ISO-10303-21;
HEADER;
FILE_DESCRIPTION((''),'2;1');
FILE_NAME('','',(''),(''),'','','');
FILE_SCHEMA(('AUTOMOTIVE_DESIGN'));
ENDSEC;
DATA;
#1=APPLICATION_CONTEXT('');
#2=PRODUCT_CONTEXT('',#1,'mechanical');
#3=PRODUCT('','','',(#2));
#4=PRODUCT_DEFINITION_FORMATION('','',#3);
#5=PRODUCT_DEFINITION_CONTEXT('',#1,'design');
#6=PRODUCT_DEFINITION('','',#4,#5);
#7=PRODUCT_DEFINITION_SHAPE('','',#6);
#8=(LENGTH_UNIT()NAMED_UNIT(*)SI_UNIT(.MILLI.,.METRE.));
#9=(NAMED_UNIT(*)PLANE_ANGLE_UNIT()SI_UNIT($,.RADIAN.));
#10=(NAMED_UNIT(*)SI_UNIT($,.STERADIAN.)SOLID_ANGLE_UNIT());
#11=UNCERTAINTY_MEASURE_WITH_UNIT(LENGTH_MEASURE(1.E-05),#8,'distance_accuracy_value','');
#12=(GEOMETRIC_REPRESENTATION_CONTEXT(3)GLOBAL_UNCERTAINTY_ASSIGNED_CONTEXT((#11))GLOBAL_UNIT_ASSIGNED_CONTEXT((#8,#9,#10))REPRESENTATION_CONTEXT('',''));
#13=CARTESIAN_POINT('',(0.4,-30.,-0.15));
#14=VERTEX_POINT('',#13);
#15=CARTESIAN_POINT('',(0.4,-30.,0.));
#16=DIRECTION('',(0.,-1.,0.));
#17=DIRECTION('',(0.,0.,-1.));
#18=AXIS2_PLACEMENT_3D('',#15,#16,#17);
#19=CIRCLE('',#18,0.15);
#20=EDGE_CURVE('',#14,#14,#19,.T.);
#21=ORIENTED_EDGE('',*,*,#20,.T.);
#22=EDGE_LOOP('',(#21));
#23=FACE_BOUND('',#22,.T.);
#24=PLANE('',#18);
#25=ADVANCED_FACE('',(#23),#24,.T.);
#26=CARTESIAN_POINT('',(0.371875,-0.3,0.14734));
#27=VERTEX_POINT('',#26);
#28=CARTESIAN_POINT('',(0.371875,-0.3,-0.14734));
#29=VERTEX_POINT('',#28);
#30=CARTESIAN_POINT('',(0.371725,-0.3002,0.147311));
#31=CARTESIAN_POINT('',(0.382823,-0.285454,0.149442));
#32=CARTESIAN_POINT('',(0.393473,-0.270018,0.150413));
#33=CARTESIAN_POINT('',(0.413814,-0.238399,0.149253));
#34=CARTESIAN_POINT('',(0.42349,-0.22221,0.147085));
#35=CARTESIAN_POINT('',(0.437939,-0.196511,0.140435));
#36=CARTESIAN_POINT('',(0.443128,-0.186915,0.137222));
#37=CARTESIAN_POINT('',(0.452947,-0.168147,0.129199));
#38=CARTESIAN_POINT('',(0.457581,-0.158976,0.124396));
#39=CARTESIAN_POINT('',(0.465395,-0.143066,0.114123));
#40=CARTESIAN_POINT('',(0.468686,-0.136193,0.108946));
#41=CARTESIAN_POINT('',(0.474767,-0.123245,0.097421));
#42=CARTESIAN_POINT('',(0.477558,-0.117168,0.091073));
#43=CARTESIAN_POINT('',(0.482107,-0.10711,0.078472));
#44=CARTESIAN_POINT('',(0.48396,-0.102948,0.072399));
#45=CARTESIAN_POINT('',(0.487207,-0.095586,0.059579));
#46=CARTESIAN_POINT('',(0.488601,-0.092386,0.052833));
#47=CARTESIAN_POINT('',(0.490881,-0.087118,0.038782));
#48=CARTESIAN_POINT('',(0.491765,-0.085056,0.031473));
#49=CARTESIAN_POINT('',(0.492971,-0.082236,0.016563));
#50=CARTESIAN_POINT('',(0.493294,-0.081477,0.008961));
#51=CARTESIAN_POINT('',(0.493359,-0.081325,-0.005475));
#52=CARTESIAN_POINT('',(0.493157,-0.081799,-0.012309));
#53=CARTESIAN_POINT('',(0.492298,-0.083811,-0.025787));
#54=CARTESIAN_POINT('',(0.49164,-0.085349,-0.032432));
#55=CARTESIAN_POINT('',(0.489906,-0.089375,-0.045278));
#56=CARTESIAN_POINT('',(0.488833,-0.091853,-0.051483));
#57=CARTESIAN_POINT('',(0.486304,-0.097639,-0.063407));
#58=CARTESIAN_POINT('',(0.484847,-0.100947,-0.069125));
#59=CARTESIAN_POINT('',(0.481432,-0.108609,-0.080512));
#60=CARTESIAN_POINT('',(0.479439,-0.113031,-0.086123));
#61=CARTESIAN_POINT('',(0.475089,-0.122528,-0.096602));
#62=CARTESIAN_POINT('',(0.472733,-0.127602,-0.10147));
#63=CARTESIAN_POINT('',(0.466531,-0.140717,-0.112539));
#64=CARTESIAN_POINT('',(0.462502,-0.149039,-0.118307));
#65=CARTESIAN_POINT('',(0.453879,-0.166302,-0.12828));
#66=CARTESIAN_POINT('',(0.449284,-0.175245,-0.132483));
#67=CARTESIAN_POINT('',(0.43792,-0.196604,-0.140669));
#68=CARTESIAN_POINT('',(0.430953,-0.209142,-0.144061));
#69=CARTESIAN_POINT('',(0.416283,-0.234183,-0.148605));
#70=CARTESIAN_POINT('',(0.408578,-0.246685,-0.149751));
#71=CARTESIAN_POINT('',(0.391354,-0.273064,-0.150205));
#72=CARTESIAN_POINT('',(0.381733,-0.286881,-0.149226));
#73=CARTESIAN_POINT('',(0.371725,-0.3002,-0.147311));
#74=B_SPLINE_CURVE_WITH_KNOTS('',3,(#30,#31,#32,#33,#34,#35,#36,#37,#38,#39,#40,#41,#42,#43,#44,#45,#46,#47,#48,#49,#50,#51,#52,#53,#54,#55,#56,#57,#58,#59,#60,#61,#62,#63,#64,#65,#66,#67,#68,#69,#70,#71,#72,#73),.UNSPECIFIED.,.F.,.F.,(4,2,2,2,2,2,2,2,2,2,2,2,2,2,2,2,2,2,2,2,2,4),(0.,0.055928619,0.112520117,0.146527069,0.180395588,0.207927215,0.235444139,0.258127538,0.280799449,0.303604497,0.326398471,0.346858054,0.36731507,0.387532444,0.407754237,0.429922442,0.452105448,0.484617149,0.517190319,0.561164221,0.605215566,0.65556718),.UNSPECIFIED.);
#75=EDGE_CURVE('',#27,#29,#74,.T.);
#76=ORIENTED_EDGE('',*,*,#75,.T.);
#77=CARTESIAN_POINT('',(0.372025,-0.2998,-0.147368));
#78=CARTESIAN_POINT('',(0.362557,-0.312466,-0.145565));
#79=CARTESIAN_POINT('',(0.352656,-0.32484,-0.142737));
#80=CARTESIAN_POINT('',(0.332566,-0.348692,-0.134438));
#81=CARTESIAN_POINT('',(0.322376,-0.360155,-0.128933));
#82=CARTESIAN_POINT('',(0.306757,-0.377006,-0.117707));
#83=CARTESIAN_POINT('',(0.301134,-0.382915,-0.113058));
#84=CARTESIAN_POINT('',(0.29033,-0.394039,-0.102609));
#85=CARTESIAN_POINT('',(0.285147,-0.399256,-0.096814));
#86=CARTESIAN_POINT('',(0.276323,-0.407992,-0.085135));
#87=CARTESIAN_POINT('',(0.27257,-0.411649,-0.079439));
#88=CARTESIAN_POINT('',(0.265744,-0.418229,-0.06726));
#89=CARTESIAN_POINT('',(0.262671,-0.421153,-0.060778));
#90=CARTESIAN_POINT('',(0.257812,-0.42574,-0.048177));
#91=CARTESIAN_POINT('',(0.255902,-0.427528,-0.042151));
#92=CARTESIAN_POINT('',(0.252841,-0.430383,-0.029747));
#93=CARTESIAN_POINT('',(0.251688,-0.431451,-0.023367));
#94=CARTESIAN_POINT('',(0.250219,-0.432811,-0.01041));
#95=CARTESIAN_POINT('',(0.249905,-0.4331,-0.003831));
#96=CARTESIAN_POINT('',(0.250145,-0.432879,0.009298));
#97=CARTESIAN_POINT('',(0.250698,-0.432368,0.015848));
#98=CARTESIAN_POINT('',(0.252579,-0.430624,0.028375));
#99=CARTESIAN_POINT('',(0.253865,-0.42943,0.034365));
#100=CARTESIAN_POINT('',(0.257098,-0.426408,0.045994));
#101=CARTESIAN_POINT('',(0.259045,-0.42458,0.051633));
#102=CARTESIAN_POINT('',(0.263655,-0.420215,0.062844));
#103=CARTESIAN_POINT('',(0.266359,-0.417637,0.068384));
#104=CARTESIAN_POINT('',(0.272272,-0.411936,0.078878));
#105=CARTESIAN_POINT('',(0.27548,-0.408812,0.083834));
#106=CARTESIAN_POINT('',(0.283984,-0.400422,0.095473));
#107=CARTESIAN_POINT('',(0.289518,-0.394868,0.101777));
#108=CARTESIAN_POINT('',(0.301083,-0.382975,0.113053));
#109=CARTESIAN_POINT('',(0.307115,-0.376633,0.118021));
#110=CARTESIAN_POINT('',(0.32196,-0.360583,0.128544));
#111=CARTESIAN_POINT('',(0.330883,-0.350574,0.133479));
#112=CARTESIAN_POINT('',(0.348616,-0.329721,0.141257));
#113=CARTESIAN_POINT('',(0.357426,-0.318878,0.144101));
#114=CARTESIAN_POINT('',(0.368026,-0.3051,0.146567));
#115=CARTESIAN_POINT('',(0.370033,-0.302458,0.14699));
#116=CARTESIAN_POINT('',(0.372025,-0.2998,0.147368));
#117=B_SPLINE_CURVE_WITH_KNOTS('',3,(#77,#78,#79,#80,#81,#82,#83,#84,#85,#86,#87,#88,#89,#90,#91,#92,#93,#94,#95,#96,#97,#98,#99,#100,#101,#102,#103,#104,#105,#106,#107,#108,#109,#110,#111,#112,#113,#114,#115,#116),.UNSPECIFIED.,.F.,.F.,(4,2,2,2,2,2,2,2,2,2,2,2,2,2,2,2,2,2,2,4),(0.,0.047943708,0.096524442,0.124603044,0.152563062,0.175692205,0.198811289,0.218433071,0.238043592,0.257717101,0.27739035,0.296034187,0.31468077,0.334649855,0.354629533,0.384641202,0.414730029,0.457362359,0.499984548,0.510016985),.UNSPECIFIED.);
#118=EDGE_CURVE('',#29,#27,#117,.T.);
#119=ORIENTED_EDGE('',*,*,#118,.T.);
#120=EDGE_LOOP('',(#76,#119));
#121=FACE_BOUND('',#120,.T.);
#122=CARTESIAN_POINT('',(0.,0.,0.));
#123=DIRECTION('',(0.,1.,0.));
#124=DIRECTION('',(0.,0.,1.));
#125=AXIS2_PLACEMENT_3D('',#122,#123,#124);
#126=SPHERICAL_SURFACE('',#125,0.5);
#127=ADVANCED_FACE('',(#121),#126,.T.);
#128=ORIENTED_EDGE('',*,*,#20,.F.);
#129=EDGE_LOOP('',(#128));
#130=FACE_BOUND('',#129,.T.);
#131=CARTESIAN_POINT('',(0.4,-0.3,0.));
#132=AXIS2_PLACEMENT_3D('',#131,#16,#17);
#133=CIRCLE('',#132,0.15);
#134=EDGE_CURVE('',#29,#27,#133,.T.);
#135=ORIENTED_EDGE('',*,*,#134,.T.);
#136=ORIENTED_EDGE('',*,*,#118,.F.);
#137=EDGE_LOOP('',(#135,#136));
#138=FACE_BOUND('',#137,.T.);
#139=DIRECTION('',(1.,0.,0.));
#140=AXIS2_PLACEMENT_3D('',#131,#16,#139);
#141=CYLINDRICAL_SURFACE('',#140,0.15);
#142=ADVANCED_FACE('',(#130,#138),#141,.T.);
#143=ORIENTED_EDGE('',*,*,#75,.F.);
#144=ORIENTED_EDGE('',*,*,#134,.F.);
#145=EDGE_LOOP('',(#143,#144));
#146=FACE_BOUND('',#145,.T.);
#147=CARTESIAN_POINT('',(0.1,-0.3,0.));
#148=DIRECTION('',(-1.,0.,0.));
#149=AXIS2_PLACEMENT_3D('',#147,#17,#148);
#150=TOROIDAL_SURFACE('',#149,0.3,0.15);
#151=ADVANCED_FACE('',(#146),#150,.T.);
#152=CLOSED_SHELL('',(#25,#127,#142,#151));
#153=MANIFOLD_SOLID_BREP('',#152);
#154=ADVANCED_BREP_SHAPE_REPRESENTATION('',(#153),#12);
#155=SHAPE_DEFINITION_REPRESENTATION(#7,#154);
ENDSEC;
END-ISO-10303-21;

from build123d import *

# Parameters (mm, degrees)
SKETCH1_R = 0.15


with BuildPart() as part:
    # Sweep1: sweep along a path in Sketch3
    with BuildLine(Plane.XY) as sweep1_path:
        Line((0, 0), (0.1, 0))
        ThreePointArc((0.1, 0), (0.312132034, -0.087867966), (0.4, -0.3))
        Line((0.4, -0.3), (0.4, -30))
    # Sketch1 → Sweep1 (sweep)
    with BuildSketch(Plane(origin=(0, 0, 0), x_dir=(0, 0, -1), z_dir=(1, 0, 0))):
        Circle(SKETCH1_R)
    sweep(path=sweep1_path.line)

    # Sketch4 → Revolve2 (revolve)
    with BuildSketch(Plane.ZY):
        with BuildLine():
            Line((0, 0.5), (0, -0.5))
            ThreePointArc((0, -0.5), (-0.5, 0), (0, 0.5))
        make_face()
    revolve(axis=Axis((0, 0.5, 0), (0, -1, 0)))


solid = part.part
